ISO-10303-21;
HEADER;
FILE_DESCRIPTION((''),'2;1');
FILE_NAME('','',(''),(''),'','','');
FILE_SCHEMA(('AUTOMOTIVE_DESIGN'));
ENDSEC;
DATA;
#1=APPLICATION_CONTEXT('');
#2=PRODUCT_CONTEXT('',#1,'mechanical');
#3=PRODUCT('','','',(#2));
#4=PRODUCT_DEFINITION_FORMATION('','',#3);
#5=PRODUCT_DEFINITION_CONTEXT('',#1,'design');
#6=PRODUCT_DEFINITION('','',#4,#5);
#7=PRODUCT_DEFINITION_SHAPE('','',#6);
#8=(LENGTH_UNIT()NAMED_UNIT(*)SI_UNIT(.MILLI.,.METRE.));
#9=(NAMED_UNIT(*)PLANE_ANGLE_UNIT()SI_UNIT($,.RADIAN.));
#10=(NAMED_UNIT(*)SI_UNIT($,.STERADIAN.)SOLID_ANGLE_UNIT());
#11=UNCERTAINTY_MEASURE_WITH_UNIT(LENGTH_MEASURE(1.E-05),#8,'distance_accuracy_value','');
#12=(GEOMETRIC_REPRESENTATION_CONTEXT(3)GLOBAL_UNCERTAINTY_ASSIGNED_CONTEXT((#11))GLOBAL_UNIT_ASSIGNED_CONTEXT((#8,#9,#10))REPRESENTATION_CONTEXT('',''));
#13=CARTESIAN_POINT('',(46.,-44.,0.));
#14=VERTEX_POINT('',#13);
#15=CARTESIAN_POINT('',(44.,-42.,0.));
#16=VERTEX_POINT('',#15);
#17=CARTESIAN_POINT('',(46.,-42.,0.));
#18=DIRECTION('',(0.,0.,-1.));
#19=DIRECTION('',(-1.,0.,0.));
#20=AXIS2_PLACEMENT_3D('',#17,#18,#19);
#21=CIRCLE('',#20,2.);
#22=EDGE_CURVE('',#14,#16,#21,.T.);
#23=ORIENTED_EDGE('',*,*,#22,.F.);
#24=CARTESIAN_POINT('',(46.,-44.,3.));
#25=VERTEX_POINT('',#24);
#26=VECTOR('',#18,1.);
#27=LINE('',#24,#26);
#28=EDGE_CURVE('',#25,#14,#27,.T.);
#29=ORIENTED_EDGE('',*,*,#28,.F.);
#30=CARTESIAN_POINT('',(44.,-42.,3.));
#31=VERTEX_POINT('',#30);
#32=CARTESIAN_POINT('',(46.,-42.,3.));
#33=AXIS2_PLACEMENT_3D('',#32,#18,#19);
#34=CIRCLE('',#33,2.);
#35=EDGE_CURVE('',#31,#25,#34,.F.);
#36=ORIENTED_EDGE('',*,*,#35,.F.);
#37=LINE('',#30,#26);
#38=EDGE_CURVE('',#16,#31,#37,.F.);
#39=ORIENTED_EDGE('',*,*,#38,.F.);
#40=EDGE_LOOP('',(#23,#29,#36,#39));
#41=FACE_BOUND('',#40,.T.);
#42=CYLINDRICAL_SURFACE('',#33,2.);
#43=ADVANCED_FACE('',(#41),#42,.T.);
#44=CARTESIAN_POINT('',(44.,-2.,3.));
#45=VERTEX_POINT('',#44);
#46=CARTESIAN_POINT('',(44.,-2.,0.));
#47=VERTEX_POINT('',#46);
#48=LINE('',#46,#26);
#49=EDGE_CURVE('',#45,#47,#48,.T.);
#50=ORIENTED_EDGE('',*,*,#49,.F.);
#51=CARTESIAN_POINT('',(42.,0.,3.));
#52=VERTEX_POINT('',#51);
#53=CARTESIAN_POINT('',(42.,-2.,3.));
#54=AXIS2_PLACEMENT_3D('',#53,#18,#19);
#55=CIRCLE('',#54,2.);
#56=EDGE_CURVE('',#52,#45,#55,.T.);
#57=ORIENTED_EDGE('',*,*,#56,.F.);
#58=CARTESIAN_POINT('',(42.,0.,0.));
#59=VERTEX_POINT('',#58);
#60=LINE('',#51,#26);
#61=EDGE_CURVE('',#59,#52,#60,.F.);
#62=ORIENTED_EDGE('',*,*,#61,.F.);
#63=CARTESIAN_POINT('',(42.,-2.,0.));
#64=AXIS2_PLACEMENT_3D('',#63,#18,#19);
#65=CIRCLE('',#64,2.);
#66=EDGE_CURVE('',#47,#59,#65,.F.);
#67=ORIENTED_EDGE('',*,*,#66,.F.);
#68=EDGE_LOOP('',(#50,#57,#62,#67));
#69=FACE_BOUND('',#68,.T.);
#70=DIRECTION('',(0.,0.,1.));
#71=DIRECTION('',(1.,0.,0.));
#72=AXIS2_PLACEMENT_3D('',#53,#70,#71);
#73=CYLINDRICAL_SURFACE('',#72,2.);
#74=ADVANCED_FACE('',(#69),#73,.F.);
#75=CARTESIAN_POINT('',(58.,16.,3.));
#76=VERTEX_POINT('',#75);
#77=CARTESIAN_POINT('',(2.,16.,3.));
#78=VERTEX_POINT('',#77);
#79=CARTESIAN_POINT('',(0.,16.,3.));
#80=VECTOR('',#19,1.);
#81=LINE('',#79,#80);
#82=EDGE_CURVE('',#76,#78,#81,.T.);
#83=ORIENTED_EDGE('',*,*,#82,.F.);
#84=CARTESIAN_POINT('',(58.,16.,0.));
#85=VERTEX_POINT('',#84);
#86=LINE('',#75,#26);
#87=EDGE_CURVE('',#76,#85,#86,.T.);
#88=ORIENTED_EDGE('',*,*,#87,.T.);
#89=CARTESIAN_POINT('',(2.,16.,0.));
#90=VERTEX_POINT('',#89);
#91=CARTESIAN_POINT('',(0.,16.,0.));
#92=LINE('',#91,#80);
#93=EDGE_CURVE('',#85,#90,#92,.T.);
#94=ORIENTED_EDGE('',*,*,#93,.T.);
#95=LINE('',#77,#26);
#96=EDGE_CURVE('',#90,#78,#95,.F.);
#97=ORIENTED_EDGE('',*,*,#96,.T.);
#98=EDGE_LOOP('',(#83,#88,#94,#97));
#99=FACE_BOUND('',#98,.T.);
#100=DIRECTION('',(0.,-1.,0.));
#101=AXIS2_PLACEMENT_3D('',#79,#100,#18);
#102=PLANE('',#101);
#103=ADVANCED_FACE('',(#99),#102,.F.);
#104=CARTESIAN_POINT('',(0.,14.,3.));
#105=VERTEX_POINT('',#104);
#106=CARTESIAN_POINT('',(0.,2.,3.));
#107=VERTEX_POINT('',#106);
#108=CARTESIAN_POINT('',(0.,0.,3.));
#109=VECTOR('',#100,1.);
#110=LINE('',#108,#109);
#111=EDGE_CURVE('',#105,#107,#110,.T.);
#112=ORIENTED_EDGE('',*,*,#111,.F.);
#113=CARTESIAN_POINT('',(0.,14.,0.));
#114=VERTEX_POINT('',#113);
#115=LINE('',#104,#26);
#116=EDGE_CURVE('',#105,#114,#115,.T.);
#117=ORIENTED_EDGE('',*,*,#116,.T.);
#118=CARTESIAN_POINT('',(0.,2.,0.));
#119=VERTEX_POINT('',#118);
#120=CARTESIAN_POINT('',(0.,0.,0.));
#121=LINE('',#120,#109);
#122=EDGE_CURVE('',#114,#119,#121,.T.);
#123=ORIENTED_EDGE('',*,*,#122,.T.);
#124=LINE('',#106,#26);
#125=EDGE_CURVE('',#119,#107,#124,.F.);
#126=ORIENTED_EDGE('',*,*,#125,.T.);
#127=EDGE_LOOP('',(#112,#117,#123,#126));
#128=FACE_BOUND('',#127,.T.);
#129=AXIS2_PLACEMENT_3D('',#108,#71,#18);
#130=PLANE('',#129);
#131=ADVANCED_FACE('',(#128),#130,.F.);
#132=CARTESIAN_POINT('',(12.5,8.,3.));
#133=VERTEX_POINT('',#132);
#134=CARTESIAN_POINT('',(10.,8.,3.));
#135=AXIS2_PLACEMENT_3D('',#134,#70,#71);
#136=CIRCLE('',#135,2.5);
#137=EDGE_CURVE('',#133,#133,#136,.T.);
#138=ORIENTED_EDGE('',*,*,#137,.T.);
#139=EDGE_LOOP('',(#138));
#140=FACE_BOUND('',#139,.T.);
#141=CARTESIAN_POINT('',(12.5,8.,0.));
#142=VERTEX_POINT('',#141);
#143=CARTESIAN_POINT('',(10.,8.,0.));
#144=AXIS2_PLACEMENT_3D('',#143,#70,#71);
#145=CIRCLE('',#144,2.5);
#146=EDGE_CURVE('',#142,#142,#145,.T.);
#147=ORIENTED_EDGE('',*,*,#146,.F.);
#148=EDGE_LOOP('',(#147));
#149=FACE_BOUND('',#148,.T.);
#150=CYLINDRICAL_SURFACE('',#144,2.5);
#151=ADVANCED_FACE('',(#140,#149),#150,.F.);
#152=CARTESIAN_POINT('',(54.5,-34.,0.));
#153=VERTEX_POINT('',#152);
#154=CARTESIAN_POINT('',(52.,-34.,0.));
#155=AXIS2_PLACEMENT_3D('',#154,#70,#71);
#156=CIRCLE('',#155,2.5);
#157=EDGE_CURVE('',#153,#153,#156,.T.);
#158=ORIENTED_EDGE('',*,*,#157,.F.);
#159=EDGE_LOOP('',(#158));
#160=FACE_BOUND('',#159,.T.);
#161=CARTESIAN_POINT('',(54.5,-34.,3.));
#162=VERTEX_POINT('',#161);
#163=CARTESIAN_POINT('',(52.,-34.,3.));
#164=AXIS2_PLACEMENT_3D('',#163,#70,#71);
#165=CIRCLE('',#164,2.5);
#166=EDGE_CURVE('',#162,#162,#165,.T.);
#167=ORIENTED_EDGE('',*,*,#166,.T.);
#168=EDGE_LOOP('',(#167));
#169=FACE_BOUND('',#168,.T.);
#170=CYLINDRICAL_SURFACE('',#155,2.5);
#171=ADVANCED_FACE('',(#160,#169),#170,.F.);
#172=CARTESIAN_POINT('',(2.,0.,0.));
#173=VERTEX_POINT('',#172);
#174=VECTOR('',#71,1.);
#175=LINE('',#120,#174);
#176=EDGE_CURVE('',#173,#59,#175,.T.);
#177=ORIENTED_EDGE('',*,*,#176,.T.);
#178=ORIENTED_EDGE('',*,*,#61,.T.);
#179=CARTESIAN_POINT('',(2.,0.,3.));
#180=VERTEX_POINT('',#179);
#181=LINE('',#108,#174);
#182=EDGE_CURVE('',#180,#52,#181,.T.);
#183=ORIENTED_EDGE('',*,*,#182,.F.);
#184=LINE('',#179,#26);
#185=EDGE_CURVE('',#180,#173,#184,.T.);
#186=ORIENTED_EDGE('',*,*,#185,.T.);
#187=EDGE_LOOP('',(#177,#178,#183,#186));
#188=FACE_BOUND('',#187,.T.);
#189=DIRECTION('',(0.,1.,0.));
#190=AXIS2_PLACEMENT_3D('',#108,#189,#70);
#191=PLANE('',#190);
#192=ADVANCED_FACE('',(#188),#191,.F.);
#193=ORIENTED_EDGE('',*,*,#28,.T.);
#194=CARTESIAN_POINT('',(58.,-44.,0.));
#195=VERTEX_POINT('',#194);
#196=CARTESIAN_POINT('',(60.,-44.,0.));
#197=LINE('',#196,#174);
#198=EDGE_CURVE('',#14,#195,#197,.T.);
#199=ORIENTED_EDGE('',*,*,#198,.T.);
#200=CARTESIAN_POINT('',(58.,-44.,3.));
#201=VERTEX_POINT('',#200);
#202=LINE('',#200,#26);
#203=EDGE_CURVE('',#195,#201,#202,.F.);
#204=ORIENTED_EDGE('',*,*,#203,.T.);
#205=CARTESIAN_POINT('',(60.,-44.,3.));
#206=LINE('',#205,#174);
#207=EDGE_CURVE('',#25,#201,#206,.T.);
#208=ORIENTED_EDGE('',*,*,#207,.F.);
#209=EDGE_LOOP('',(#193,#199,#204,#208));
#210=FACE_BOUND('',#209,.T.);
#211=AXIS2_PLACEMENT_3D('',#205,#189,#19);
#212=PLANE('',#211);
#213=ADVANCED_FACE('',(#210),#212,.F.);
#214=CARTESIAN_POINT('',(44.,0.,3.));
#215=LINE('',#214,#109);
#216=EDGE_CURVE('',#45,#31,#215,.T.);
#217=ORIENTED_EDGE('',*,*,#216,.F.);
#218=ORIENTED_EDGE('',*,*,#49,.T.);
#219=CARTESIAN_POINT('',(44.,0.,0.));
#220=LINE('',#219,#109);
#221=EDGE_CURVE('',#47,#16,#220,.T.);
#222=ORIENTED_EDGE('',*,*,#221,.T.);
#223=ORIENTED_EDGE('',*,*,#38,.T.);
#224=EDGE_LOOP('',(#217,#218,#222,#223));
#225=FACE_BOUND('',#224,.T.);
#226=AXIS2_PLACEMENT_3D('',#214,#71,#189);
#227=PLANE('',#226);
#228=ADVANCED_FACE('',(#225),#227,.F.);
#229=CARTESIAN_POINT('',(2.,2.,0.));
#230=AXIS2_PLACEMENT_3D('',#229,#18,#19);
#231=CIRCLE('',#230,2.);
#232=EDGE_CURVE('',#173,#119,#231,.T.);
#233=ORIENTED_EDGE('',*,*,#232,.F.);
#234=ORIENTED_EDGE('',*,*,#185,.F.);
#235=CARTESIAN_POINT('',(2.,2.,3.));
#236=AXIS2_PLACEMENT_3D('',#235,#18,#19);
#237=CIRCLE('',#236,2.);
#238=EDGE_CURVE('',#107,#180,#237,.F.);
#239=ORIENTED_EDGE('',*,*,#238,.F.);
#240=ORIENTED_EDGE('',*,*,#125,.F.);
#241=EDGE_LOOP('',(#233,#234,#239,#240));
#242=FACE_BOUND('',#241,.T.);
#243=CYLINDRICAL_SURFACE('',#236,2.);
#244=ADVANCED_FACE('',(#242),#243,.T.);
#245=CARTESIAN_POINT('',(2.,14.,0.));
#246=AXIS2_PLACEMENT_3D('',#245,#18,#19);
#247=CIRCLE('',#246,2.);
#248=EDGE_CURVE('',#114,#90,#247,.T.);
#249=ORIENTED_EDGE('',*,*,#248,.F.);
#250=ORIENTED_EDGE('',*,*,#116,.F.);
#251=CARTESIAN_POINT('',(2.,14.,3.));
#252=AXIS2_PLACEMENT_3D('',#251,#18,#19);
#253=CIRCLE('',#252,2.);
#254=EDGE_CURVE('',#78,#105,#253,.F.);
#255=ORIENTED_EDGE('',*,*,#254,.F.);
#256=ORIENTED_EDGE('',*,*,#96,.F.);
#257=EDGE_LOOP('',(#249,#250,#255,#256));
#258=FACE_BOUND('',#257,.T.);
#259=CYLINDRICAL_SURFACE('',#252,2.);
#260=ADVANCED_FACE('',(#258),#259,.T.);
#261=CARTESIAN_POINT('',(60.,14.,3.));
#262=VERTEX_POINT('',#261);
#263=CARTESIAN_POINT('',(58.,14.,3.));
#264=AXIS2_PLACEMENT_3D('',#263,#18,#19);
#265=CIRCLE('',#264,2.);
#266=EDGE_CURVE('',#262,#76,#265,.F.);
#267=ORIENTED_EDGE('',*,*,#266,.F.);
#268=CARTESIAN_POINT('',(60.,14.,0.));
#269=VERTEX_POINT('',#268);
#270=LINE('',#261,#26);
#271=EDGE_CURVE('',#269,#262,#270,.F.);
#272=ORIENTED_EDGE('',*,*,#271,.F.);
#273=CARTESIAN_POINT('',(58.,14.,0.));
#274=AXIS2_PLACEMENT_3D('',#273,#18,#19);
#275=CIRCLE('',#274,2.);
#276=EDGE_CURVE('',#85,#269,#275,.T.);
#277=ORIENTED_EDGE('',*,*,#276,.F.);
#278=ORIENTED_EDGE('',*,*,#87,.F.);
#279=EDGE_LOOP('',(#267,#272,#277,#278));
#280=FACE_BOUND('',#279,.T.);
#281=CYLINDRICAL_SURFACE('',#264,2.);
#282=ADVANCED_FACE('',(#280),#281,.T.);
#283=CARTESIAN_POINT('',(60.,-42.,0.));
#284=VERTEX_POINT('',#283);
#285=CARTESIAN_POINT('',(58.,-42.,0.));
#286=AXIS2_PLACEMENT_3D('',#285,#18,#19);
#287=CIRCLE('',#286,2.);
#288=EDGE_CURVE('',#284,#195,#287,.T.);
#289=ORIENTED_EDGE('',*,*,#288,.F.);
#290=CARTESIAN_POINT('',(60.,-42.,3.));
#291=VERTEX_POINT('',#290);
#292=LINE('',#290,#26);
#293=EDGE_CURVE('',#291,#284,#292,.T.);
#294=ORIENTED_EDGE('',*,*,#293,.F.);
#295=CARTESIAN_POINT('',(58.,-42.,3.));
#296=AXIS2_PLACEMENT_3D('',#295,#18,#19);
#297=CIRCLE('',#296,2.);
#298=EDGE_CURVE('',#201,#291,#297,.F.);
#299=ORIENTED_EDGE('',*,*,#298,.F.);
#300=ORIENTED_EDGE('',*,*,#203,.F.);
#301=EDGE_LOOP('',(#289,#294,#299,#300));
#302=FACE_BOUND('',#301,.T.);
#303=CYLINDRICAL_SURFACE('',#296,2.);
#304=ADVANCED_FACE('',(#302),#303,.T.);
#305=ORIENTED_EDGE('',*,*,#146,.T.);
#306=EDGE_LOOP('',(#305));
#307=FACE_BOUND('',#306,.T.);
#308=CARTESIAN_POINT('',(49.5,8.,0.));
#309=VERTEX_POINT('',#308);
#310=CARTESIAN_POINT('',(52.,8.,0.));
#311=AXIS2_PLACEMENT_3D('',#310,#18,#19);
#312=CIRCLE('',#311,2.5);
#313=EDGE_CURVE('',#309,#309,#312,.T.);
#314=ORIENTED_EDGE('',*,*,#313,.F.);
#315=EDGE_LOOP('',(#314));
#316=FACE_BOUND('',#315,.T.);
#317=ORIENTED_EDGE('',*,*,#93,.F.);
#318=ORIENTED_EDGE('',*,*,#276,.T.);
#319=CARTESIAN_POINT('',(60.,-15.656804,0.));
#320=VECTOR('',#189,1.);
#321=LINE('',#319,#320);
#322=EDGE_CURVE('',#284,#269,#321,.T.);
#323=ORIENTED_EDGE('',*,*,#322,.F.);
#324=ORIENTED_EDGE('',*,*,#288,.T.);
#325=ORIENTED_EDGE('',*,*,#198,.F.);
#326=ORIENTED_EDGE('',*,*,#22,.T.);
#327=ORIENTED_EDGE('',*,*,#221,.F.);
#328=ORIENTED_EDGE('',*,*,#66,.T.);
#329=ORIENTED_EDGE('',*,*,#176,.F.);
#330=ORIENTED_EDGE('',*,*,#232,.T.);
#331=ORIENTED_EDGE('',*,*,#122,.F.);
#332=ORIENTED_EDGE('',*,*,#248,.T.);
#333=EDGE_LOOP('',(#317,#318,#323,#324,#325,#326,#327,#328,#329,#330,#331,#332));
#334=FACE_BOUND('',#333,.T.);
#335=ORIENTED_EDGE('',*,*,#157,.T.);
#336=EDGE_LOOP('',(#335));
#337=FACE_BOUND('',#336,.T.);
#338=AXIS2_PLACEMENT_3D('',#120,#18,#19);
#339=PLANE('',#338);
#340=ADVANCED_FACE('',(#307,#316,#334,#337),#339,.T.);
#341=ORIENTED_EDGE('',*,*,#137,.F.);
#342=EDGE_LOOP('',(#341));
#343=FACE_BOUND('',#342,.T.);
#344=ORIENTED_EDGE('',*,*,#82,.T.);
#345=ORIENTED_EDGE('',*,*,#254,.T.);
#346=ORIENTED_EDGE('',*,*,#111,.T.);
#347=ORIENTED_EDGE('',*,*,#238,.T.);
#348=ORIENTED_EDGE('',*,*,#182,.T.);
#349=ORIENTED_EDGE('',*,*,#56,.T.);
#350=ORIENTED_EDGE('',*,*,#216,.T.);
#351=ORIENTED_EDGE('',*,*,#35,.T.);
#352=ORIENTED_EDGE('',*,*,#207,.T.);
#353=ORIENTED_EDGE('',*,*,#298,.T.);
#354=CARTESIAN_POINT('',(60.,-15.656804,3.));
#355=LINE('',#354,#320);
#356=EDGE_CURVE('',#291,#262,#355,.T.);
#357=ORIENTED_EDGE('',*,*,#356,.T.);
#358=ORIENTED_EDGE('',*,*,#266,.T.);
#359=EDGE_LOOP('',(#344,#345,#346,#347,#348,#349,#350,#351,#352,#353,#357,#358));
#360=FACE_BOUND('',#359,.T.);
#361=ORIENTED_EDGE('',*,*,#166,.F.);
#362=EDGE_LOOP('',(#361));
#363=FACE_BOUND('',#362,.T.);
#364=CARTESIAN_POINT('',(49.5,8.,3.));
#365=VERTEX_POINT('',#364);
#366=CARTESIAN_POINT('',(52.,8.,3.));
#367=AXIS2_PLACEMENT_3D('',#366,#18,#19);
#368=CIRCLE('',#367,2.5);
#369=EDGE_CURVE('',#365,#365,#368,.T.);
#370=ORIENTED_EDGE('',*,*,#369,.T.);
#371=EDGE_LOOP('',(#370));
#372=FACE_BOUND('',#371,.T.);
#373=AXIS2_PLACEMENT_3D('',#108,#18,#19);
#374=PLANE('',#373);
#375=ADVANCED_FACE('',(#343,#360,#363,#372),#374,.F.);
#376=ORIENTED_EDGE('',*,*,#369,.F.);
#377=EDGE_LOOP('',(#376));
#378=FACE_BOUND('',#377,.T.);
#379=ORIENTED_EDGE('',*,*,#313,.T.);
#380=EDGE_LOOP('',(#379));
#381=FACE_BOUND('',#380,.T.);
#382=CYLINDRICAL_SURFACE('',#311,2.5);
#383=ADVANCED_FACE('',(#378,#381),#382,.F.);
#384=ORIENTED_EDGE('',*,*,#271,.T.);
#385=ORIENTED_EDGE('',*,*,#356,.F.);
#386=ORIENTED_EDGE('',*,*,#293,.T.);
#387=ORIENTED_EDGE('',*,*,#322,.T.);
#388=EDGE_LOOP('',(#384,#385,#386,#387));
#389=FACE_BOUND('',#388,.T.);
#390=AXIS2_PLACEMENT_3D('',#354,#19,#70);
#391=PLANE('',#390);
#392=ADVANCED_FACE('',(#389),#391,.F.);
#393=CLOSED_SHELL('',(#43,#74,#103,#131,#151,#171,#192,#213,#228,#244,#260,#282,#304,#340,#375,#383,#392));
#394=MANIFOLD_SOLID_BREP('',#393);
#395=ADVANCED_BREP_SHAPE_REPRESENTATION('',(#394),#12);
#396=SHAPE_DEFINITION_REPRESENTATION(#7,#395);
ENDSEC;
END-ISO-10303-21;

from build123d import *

# Parameters (mm, degrees)
BOSS_EXTRUDE1_DEPTH   = 3
SKETCH2_R             = 2.5
CUT_EXTRUDE1_DEPTH    = 3
FILLET1_R             = 2
F_5_0MM_DOWEL_HOLE1_D = 5


with BuildPart() as part:
    # Sketch1 → Boss-Extrude1 (new body)
    with BuildSketch(Plane.XY):
        Polygon((0, 0), (44, 0), (44, -44), (60, -44), (60, -15.656804173), (60, 16), (0, 16), align=None)
    extrude(amount=BOSS_EXTRUDE1_DEPTH)

    # Sketch2 → Cut-Extrude1 (cut)
    with BuildSketch(Plane.XY.offset(3)):
        with Locations((10, 8)):
            Circle(SKETCH2_R)
        with Locations((52, -34)):
            Circle(SKETCH2_R)
    extrude(amount=-CUT_EXTRUDE1_DEPTH, mode=Mode.SUBTRACT)

    # Fillet1
    fillet1_edges = [part.edges().sort_by_distance(p)[0] for p in [
        (0, 16, 1.5),
        (60, 16, 1.5),
        (60, -44, 1.5),
        (44, -44, 1.5),
        (44, 0, 1.5),
        (0, 0, 1.5),
    ]]
    fillet(fillet1_edges, radius=FILLET1_R)

    # Ø5.0mm Dowel Hole1 (through all)
    with Locations(Plane(origin=(0, 0, 0), x_dir=(-1, 0, 0), z_dir=(0, 0, -1))):
        with Locations((-52, 8)):
            Hole(F_5_0MM_DOWEL_HOLE1_D / 2)


solid = part.part
